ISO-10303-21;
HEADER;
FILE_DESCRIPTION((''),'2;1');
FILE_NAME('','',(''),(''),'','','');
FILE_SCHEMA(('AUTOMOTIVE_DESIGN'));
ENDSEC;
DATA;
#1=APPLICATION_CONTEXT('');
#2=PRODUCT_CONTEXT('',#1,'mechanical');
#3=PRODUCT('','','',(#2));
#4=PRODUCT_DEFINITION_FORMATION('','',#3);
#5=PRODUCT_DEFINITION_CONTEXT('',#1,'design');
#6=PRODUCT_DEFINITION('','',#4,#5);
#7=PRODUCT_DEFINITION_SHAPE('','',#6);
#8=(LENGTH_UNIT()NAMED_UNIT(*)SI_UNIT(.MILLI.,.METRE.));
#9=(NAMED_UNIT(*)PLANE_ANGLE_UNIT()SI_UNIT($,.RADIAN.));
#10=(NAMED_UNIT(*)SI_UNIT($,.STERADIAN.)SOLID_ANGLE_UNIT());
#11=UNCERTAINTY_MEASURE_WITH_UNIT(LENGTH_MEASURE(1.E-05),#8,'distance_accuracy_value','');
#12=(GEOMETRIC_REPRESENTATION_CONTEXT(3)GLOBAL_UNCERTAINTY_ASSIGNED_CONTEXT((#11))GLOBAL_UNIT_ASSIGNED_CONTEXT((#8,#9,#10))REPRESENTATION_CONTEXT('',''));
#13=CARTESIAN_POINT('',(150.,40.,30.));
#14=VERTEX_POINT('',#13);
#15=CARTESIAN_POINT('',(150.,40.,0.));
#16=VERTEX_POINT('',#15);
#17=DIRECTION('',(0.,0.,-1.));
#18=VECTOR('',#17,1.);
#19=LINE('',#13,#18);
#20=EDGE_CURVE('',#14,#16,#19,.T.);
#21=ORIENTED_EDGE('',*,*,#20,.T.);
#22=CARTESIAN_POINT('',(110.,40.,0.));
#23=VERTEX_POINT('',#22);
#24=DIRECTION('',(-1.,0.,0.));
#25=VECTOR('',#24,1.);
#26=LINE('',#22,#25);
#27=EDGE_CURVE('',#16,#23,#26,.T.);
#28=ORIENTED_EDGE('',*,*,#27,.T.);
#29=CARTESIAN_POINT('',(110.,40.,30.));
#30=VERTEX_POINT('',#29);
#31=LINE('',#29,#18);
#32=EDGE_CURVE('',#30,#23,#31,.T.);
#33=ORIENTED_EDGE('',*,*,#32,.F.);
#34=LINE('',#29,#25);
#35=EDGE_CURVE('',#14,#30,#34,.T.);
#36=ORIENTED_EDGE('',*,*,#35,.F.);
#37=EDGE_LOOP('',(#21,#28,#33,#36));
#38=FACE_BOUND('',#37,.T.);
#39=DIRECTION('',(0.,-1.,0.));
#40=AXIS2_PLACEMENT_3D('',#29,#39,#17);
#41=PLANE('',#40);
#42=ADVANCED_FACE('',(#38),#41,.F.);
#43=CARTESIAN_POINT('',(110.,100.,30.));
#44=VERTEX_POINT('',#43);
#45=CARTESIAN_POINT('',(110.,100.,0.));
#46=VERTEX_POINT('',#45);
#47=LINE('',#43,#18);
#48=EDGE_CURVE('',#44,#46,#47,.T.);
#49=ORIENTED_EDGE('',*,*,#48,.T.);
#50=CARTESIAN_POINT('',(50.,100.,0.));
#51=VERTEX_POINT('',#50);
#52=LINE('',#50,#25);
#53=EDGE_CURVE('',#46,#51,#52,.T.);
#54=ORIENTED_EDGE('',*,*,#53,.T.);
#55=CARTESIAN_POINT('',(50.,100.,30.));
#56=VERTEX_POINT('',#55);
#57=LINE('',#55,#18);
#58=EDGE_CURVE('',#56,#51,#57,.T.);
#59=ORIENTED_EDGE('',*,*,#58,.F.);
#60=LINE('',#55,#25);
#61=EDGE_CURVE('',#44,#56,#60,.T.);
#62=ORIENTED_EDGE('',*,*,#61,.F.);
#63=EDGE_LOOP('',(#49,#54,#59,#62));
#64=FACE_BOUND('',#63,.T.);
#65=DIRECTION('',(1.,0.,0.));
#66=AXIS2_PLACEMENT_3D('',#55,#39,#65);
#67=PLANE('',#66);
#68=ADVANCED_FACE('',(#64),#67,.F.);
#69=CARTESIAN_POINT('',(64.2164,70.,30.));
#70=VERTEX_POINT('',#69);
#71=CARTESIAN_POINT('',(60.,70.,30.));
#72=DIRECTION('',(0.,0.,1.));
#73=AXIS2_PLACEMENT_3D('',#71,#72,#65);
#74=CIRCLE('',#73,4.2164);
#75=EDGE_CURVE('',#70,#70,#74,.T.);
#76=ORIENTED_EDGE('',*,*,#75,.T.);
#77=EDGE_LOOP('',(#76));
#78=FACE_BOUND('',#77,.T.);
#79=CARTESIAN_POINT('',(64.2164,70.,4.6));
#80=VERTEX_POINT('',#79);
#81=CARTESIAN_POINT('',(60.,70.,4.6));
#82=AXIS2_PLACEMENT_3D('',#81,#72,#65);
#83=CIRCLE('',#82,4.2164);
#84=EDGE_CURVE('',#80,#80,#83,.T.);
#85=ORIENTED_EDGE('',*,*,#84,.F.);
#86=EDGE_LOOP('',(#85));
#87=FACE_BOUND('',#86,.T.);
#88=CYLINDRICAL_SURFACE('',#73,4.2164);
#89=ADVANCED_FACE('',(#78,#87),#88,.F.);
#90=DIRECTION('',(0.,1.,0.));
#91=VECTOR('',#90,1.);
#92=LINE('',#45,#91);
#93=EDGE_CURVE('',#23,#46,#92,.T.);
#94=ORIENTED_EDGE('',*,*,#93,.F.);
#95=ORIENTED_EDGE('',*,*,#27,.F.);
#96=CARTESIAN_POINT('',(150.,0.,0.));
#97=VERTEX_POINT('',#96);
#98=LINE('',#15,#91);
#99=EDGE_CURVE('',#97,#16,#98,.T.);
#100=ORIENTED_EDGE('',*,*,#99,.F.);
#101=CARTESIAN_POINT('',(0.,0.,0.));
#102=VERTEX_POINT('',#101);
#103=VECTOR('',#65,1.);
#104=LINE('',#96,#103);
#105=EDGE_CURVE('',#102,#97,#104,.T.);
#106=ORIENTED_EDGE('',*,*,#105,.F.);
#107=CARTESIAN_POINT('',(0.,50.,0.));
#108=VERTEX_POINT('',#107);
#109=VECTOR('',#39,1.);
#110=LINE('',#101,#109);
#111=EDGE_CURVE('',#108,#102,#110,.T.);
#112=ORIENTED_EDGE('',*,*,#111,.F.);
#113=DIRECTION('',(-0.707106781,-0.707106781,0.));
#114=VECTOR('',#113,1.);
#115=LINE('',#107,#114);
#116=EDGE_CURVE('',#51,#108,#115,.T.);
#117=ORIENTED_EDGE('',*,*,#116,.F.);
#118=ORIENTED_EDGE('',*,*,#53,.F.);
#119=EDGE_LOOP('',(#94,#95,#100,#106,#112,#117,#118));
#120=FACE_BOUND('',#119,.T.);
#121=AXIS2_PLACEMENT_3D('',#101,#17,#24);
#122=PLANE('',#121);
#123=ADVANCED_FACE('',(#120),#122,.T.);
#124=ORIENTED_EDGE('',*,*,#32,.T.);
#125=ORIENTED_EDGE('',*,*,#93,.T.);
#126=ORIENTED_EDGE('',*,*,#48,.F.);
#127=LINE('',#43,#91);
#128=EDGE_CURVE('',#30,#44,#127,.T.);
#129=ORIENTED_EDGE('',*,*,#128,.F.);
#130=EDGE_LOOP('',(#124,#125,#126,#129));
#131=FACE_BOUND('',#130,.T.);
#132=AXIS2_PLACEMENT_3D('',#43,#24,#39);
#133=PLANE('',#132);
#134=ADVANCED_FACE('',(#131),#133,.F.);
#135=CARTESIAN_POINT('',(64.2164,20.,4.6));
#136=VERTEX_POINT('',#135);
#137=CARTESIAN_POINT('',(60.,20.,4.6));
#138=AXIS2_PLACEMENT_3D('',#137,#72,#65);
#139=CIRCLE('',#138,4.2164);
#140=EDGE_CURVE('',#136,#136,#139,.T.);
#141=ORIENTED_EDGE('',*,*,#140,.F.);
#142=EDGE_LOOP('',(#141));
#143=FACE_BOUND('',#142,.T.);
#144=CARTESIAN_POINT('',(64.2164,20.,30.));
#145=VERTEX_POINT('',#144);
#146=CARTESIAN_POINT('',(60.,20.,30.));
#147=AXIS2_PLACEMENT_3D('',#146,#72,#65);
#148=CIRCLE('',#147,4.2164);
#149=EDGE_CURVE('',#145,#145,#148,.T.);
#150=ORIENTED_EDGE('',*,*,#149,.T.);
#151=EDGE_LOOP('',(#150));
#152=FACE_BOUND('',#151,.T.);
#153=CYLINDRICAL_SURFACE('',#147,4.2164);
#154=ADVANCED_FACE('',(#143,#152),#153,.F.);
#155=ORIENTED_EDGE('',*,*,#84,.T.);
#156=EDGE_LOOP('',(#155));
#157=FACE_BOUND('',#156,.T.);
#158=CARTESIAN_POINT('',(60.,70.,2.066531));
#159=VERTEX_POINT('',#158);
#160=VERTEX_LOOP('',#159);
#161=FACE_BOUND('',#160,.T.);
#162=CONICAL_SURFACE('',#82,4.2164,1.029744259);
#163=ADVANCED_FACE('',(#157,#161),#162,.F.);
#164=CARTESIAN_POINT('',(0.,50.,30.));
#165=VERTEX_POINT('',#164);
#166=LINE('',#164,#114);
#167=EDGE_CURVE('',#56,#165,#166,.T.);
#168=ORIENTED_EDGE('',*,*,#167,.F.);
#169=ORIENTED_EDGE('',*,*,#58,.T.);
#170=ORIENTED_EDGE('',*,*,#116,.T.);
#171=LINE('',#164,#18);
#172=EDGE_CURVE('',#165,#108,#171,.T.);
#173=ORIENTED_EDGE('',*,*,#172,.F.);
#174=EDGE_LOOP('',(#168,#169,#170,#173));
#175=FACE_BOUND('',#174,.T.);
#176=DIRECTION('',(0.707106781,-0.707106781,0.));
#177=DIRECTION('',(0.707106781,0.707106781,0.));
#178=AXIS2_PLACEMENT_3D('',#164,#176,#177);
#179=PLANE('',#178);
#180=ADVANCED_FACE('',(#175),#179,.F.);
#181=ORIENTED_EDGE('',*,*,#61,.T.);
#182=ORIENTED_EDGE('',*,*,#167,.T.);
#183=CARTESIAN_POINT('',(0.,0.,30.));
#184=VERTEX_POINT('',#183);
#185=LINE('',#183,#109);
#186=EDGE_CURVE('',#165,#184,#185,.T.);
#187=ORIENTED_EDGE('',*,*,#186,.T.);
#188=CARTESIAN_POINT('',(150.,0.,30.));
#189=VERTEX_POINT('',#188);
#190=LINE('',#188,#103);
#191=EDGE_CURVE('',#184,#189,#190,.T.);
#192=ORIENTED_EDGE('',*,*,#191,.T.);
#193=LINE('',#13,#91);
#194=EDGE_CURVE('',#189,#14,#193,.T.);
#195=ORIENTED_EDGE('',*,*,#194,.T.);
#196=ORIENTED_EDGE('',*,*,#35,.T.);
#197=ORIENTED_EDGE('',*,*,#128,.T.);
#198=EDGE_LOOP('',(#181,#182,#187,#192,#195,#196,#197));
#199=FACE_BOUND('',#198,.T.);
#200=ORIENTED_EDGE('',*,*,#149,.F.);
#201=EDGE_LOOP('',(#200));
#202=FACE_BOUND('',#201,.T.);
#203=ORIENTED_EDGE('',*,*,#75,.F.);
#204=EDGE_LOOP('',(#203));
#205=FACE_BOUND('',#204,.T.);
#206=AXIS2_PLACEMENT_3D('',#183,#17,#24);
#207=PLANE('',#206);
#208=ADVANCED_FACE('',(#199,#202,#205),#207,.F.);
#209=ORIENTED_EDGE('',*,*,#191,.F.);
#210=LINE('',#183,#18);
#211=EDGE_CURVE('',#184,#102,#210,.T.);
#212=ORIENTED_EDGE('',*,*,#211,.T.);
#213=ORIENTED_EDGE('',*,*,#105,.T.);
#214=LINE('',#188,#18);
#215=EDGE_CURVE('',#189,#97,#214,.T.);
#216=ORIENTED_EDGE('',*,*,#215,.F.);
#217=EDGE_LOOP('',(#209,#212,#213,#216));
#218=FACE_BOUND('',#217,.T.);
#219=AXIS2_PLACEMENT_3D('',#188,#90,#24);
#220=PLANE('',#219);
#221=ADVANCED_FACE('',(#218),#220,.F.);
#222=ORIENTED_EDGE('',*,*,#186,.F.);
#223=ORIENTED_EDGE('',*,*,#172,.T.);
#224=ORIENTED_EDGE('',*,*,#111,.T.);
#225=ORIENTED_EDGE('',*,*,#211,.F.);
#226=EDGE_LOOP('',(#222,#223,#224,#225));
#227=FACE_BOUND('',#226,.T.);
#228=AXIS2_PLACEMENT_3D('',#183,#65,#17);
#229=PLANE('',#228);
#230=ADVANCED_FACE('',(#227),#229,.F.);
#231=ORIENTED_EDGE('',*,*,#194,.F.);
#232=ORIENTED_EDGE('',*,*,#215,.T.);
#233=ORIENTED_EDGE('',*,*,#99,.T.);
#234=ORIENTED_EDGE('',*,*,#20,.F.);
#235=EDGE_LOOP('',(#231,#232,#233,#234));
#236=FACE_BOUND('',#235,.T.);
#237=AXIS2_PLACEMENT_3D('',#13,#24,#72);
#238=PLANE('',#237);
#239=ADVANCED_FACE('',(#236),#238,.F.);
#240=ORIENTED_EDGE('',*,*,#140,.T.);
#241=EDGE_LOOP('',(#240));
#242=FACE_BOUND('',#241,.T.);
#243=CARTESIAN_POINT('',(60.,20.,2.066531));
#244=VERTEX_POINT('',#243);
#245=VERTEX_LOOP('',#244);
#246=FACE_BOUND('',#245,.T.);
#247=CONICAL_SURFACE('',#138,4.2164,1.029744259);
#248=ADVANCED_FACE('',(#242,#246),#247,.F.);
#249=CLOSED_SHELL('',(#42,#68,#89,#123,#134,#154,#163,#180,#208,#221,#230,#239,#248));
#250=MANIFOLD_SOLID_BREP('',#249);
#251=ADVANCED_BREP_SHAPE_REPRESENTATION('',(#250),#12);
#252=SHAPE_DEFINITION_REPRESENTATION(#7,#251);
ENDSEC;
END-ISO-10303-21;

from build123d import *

# Parameters (mm, degrees)
SALIENTE_EXTRUIR1_DEPTH            = 30
TALADRO_DE_MARGEN_PARA_5_161_D     = 8.4328
TALADRO_DE_MARGEN_PARA_5_161_DEPTH = 25.4
TALADRO_DE_MARGEN_PARA_5_161_TIP   = 2.533468714


with BuildPart() as part:
    # Croquis1 → Saliente-Extruir1 (new body)
    with BuildSketch(Plane.XY):
        Polygon((0, 0), (0, 50), (50, 100), (110, 100), (110, 40), (150, 40), (150, 0), align=None)
    extrude(amount=SALIENTE_EXTRUIR1_DEPTH)

    # Taladro de margen para 5/161
    with Locations(Plane(origin=(60, 70, 30), x_dir=(1, 0, 0), z_dir=(0, 0, 1))):
        with Locations((0, 0), (0, -50)):
            Hole(TALADRO_DE_MARGEN_PARA_5_161_D / 2, depth=TALADRO_DE_MARGEN_PARA_5_161_DEPTH)
            with Locations((0, 0, -(TALADRO_DE_MARGEN_PARA_5_161_DEPTH + TALADRO_DE_MARGEN_PARA_5_161_TIP / 2))):  # 118° drill point
                Cone(0, TALADRO_DE_MARGEN_PARA_5_161_D / 2, TALADRO_DE_MARGEN_PARA_5_161_TIP, mode=Mode.SUBTRACT)


solid = part.part
